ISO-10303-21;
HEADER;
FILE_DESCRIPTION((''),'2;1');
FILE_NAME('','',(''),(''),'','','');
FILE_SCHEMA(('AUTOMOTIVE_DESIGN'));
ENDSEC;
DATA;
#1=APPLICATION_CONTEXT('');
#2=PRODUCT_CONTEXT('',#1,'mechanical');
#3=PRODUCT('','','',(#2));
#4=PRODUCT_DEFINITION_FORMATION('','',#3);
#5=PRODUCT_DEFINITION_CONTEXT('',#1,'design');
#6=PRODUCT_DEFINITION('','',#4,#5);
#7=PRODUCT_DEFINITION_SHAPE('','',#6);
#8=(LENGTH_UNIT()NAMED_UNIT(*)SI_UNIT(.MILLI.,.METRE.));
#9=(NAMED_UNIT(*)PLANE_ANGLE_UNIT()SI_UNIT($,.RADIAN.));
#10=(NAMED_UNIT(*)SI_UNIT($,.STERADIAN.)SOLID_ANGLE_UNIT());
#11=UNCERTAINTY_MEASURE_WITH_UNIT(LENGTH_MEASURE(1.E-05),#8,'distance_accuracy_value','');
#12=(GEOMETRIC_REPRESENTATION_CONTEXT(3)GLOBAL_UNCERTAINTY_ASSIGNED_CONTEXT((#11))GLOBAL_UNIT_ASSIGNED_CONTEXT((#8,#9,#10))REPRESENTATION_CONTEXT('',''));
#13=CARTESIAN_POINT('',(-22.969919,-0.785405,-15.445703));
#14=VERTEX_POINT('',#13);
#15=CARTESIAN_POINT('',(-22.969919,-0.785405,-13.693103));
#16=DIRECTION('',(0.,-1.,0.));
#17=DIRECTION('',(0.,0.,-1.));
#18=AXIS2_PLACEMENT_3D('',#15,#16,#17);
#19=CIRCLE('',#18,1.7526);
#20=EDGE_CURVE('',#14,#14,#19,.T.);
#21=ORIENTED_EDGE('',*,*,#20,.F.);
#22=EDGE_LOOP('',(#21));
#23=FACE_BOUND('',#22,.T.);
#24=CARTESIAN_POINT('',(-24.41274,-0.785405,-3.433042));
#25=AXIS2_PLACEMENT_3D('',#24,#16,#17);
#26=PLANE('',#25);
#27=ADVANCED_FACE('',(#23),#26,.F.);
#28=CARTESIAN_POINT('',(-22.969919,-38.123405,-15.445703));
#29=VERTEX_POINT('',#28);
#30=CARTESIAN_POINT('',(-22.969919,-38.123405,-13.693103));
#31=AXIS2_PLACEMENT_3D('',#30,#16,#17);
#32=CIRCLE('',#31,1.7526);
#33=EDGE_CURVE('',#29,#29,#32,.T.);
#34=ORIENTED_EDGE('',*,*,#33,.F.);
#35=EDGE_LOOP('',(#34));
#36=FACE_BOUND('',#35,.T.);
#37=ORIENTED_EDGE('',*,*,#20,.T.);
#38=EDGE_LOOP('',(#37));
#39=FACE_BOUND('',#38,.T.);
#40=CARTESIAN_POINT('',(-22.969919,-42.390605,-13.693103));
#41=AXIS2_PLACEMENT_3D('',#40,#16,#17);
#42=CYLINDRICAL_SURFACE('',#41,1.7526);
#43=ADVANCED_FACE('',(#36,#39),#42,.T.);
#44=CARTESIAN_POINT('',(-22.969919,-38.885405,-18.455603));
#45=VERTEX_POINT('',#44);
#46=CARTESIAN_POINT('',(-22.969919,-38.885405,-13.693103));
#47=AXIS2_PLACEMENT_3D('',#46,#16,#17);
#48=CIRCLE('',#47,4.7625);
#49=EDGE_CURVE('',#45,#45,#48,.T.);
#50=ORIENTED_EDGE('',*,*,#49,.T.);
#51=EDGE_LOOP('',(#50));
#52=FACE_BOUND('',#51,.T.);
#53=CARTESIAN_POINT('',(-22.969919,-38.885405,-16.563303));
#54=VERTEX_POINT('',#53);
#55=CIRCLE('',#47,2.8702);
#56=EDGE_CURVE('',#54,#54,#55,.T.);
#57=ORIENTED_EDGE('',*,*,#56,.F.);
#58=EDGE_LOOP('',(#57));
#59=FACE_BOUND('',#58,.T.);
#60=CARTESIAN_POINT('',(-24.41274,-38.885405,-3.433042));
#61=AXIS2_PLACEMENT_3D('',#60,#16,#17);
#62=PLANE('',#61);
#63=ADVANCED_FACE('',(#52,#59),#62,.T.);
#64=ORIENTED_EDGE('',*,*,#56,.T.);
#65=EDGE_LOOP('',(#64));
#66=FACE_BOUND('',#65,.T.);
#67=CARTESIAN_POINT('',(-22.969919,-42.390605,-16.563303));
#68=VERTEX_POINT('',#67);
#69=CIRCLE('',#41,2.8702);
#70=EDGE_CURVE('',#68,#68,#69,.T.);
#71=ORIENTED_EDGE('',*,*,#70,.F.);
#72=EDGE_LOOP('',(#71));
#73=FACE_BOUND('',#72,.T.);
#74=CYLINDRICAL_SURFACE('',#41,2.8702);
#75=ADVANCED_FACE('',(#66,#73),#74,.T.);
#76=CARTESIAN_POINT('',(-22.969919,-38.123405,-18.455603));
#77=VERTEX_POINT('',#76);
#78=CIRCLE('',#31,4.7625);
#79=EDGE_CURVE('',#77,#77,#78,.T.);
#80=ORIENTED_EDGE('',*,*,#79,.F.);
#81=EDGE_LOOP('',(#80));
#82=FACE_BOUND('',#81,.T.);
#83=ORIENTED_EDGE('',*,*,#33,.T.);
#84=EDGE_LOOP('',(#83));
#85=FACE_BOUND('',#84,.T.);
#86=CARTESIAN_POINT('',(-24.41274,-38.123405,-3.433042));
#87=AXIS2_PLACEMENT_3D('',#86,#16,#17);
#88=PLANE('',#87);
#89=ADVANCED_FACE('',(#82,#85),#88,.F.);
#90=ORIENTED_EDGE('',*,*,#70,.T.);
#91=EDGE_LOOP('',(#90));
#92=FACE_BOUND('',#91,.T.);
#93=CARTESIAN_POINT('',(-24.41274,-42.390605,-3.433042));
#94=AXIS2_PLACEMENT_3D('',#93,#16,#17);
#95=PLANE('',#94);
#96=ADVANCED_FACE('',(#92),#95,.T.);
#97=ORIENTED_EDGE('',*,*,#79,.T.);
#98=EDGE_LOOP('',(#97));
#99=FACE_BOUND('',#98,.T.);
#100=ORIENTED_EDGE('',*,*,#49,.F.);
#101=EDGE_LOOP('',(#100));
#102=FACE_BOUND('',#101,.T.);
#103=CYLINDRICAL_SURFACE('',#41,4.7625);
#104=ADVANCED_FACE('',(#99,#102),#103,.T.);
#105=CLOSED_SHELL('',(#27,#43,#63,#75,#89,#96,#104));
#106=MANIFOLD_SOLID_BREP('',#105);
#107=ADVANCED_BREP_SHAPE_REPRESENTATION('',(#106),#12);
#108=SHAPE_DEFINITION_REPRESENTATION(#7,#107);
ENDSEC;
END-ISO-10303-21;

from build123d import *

# Parameters (mm, degrees)
SKETCH1_ONE_SIDE_W   = 1.7526
SKETCH1_ONE_SIDE_H   = 38.1
SKETCH1_ONE_SIDE_W_2 = 2.8702
SKETCH1_ONE_SIDE_H_2 = 3.5052
SKETCH1_ONE_SIDE_W_3 = 4.7625
SKETCH1_ONE_SIDE_H_3 = 0.762


with BuildPart() as part:
    # Sketch1 one side → Revolve1 (revolve)
    with BuildSketch(Plane(origin=(-24.412739892, 0, -3.433041547), x_dir=(0.13925483139909503, 0, -0.9902565788380351), z_dir=(0.9902565788380351, 0, 0.13925483139909503)), mode=Mode.PRIVATE) as revolve1_sk:
        with Locations((9.484713498, -19.83540516)):
            Rectangle(SKETCH1_ONE_SIDE_W, SKETCH1_ONE_SIDE_H)
        with Locations((8.925913498, -40.63800516)):
            Rectangle(SKETCH1_ONE_SIDE_W_2, SKETCH1_ONE_SIDE_H_2)
        with Locations((7.979763498, -38.50440516)):
            Rectangle(SKETCH1_ONE_SIDE_W_3, SKETCH1_ONE_SIDE_H_3)
    revolve(revolve1_sk.sketch.rotate(Axis((-22.969918704, -42.39060516, -13.693103328), (0, 1, 0)), 188.004728857), axis=Axis((-22.969918704, -42.39060516, -13.693103328), (0, 1, 0)))


solid = part.part
